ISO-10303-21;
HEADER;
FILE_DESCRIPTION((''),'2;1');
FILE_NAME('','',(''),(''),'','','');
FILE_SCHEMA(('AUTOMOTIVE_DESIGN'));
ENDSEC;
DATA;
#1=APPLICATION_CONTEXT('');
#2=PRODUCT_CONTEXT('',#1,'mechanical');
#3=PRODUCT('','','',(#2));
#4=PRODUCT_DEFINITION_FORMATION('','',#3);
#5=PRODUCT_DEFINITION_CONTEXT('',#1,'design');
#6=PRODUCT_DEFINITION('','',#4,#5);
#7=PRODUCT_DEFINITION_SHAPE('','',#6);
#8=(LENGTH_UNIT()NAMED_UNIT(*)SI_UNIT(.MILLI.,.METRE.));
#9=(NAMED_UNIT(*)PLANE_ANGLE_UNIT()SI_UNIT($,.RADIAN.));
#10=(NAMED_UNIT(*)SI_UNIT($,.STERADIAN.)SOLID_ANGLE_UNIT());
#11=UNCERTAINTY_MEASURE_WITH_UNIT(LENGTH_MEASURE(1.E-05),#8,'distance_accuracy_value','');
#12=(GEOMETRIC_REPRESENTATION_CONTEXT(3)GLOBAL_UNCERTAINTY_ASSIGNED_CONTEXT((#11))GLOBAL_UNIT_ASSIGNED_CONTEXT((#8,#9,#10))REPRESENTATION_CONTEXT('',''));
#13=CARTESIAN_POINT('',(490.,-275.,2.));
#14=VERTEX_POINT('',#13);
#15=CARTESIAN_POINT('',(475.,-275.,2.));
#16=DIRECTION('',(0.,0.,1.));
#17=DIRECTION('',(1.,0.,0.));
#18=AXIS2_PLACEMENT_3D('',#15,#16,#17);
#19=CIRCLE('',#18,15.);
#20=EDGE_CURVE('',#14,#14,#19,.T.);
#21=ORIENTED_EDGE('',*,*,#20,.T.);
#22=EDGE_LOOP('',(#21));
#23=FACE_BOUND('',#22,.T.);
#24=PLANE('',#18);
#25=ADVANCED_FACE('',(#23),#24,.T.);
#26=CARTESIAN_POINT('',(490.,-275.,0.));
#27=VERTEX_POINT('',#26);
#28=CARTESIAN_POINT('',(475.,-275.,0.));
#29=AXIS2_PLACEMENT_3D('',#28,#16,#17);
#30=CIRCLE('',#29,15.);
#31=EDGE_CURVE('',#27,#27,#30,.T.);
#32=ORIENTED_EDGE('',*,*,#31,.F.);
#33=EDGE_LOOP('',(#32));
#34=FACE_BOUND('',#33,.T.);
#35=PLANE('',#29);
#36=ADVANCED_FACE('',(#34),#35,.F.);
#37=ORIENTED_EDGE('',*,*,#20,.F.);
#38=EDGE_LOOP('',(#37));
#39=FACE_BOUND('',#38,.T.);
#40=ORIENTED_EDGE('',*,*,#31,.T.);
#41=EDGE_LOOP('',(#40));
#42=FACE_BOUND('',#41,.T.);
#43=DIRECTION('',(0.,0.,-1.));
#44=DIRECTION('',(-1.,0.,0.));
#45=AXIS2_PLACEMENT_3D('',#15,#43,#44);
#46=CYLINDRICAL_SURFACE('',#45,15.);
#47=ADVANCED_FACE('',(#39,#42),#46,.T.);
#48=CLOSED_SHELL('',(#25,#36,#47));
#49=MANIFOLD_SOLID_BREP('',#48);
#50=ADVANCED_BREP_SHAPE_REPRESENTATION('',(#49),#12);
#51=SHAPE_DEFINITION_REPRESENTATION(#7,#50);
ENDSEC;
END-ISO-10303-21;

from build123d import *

# Parameters (mm, degrees)
SKETCH1_R           = 15
BOSS_EXTRUDE1_DEPTH = 2


with BuildPart() as part:
    # Sketch1 → Boss-Extrude1 (new body)
    with BuildSketch(Plane.XY):
        with Locations((475, -275)):
            Circle(SKETCH1_R)
    extrude(amount=BOSS_EXTRUDE1_DEPTH)


solid = part.part
